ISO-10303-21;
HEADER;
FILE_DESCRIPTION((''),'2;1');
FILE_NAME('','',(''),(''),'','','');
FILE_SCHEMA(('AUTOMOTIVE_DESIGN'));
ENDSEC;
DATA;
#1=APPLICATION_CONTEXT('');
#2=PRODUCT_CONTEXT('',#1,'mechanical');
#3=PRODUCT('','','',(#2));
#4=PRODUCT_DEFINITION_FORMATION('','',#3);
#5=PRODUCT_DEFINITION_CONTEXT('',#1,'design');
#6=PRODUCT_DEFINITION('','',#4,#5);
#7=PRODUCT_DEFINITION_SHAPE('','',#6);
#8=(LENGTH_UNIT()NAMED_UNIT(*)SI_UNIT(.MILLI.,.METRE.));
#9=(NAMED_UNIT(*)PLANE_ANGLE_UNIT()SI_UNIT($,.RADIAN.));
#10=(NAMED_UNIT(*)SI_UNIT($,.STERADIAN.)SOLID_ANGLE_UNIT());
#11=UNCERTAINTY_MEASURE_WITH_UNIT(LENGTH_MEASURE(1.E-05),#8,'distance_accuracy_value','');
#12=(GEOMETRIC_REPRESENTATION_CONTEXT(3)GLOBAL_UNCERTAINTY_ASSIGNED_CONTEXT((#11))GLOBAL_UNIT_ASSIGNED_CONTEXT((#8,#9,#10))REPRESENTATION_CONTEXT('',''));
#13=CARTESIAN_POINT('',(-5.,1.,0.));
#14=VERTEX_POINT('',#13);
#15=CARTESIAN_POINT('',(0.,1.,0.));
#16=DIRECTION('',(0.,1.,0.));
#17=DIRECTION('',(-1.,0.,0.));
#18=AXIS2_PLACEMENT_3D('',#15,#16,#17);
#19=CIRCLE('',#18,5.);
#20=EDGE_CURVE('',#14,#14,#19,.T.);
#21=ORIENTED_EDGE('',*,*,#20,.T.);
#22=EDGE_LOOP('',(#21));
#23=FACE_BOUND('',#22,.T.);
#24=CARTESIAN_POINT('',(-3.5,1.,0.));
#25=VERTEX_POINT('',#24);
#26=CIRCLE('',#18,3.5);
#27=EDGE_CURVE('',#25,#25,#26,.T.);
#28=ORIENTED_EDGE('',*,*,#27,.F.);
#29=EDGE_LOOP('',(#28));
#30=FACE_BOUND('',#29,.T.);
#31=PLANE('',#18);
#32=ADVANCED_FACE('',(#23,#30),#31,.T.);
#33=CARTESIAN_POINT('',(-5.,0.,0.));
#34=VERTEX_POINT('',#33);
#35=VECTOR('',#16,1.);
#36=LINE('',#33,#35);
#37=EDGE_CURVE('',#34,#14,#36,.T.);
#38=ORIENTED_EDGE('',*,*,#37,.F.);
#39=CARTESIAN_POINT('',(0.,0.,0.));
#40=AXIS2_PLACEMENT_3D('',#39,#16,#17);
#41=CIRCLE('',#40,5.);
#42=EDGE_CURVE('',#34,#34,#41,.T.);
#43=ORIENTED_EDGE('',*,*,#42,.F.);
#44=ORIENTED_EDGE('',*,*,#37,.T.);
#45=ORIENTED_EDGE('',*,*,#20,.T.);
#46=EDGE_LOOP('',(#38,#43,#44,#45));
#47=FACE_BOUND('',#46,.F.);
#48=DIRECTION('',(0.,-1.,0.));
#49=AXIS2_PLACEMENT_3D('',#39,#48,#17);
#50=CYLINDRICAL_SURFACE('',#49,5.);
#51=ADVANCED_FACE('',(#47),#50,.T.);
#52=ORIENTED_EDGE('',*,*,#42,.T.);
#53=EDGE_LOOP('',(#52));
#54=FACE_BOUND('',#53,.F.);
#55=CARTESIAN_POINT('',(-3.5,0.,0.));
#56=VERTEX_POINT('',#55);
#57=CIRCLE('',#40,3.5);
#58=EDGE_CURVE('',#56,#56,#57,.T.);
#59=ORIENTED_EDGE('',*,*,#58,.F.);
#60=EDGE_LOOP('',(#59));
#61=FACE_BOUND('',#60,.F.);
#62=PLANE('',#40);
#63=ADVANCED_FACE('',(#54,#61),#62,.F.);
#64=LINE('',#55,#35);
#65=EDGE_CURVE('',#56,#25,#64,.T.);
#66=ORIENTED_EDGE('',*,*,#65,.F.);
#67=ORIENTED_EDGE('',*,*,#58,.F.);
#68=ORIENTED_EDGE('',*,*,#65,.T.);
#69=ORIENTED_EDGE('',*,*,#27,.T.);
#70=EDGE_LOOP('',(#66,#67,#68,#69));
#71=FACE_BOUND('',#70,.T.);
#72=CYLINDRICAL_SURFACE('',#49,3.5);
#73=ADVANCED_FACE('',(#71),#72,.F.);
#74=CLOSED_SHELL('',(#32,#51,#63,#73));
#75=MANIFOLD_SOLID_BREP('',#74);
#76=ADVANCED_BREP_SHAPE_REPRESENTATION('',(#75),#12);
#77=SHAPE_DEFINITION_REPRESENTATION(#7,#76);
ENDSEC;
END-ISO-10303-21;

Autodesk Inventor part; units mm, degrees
ref_plane "YZ Plane" through (0, 0, 0) normal (1, 0, 0) x (0, 1, 0)
ref_plane "XZ Plane" through (0, 0, 0) normal (0, 1, 0) x (-1, 0, 0)
ref_plane "XY Plane" through (0, 0, 0) normal (0, 0, 1) x (1, 0, 0)
sketch "スケッチ1" plane through (0, 0, 0) normal (0, 1, 0) x (-1, 0, 0)
  circle A0 centre (0, 0) radius 3.5
  circle A1 centre (0, 0) radius 5
  dimension "d0" = 7
  dimension "d1" = 10
extrude "押し出し1" add sketch "スケッチ1" along normal blind 1
properties part number "知能ロボコンギアスペーサ―"
